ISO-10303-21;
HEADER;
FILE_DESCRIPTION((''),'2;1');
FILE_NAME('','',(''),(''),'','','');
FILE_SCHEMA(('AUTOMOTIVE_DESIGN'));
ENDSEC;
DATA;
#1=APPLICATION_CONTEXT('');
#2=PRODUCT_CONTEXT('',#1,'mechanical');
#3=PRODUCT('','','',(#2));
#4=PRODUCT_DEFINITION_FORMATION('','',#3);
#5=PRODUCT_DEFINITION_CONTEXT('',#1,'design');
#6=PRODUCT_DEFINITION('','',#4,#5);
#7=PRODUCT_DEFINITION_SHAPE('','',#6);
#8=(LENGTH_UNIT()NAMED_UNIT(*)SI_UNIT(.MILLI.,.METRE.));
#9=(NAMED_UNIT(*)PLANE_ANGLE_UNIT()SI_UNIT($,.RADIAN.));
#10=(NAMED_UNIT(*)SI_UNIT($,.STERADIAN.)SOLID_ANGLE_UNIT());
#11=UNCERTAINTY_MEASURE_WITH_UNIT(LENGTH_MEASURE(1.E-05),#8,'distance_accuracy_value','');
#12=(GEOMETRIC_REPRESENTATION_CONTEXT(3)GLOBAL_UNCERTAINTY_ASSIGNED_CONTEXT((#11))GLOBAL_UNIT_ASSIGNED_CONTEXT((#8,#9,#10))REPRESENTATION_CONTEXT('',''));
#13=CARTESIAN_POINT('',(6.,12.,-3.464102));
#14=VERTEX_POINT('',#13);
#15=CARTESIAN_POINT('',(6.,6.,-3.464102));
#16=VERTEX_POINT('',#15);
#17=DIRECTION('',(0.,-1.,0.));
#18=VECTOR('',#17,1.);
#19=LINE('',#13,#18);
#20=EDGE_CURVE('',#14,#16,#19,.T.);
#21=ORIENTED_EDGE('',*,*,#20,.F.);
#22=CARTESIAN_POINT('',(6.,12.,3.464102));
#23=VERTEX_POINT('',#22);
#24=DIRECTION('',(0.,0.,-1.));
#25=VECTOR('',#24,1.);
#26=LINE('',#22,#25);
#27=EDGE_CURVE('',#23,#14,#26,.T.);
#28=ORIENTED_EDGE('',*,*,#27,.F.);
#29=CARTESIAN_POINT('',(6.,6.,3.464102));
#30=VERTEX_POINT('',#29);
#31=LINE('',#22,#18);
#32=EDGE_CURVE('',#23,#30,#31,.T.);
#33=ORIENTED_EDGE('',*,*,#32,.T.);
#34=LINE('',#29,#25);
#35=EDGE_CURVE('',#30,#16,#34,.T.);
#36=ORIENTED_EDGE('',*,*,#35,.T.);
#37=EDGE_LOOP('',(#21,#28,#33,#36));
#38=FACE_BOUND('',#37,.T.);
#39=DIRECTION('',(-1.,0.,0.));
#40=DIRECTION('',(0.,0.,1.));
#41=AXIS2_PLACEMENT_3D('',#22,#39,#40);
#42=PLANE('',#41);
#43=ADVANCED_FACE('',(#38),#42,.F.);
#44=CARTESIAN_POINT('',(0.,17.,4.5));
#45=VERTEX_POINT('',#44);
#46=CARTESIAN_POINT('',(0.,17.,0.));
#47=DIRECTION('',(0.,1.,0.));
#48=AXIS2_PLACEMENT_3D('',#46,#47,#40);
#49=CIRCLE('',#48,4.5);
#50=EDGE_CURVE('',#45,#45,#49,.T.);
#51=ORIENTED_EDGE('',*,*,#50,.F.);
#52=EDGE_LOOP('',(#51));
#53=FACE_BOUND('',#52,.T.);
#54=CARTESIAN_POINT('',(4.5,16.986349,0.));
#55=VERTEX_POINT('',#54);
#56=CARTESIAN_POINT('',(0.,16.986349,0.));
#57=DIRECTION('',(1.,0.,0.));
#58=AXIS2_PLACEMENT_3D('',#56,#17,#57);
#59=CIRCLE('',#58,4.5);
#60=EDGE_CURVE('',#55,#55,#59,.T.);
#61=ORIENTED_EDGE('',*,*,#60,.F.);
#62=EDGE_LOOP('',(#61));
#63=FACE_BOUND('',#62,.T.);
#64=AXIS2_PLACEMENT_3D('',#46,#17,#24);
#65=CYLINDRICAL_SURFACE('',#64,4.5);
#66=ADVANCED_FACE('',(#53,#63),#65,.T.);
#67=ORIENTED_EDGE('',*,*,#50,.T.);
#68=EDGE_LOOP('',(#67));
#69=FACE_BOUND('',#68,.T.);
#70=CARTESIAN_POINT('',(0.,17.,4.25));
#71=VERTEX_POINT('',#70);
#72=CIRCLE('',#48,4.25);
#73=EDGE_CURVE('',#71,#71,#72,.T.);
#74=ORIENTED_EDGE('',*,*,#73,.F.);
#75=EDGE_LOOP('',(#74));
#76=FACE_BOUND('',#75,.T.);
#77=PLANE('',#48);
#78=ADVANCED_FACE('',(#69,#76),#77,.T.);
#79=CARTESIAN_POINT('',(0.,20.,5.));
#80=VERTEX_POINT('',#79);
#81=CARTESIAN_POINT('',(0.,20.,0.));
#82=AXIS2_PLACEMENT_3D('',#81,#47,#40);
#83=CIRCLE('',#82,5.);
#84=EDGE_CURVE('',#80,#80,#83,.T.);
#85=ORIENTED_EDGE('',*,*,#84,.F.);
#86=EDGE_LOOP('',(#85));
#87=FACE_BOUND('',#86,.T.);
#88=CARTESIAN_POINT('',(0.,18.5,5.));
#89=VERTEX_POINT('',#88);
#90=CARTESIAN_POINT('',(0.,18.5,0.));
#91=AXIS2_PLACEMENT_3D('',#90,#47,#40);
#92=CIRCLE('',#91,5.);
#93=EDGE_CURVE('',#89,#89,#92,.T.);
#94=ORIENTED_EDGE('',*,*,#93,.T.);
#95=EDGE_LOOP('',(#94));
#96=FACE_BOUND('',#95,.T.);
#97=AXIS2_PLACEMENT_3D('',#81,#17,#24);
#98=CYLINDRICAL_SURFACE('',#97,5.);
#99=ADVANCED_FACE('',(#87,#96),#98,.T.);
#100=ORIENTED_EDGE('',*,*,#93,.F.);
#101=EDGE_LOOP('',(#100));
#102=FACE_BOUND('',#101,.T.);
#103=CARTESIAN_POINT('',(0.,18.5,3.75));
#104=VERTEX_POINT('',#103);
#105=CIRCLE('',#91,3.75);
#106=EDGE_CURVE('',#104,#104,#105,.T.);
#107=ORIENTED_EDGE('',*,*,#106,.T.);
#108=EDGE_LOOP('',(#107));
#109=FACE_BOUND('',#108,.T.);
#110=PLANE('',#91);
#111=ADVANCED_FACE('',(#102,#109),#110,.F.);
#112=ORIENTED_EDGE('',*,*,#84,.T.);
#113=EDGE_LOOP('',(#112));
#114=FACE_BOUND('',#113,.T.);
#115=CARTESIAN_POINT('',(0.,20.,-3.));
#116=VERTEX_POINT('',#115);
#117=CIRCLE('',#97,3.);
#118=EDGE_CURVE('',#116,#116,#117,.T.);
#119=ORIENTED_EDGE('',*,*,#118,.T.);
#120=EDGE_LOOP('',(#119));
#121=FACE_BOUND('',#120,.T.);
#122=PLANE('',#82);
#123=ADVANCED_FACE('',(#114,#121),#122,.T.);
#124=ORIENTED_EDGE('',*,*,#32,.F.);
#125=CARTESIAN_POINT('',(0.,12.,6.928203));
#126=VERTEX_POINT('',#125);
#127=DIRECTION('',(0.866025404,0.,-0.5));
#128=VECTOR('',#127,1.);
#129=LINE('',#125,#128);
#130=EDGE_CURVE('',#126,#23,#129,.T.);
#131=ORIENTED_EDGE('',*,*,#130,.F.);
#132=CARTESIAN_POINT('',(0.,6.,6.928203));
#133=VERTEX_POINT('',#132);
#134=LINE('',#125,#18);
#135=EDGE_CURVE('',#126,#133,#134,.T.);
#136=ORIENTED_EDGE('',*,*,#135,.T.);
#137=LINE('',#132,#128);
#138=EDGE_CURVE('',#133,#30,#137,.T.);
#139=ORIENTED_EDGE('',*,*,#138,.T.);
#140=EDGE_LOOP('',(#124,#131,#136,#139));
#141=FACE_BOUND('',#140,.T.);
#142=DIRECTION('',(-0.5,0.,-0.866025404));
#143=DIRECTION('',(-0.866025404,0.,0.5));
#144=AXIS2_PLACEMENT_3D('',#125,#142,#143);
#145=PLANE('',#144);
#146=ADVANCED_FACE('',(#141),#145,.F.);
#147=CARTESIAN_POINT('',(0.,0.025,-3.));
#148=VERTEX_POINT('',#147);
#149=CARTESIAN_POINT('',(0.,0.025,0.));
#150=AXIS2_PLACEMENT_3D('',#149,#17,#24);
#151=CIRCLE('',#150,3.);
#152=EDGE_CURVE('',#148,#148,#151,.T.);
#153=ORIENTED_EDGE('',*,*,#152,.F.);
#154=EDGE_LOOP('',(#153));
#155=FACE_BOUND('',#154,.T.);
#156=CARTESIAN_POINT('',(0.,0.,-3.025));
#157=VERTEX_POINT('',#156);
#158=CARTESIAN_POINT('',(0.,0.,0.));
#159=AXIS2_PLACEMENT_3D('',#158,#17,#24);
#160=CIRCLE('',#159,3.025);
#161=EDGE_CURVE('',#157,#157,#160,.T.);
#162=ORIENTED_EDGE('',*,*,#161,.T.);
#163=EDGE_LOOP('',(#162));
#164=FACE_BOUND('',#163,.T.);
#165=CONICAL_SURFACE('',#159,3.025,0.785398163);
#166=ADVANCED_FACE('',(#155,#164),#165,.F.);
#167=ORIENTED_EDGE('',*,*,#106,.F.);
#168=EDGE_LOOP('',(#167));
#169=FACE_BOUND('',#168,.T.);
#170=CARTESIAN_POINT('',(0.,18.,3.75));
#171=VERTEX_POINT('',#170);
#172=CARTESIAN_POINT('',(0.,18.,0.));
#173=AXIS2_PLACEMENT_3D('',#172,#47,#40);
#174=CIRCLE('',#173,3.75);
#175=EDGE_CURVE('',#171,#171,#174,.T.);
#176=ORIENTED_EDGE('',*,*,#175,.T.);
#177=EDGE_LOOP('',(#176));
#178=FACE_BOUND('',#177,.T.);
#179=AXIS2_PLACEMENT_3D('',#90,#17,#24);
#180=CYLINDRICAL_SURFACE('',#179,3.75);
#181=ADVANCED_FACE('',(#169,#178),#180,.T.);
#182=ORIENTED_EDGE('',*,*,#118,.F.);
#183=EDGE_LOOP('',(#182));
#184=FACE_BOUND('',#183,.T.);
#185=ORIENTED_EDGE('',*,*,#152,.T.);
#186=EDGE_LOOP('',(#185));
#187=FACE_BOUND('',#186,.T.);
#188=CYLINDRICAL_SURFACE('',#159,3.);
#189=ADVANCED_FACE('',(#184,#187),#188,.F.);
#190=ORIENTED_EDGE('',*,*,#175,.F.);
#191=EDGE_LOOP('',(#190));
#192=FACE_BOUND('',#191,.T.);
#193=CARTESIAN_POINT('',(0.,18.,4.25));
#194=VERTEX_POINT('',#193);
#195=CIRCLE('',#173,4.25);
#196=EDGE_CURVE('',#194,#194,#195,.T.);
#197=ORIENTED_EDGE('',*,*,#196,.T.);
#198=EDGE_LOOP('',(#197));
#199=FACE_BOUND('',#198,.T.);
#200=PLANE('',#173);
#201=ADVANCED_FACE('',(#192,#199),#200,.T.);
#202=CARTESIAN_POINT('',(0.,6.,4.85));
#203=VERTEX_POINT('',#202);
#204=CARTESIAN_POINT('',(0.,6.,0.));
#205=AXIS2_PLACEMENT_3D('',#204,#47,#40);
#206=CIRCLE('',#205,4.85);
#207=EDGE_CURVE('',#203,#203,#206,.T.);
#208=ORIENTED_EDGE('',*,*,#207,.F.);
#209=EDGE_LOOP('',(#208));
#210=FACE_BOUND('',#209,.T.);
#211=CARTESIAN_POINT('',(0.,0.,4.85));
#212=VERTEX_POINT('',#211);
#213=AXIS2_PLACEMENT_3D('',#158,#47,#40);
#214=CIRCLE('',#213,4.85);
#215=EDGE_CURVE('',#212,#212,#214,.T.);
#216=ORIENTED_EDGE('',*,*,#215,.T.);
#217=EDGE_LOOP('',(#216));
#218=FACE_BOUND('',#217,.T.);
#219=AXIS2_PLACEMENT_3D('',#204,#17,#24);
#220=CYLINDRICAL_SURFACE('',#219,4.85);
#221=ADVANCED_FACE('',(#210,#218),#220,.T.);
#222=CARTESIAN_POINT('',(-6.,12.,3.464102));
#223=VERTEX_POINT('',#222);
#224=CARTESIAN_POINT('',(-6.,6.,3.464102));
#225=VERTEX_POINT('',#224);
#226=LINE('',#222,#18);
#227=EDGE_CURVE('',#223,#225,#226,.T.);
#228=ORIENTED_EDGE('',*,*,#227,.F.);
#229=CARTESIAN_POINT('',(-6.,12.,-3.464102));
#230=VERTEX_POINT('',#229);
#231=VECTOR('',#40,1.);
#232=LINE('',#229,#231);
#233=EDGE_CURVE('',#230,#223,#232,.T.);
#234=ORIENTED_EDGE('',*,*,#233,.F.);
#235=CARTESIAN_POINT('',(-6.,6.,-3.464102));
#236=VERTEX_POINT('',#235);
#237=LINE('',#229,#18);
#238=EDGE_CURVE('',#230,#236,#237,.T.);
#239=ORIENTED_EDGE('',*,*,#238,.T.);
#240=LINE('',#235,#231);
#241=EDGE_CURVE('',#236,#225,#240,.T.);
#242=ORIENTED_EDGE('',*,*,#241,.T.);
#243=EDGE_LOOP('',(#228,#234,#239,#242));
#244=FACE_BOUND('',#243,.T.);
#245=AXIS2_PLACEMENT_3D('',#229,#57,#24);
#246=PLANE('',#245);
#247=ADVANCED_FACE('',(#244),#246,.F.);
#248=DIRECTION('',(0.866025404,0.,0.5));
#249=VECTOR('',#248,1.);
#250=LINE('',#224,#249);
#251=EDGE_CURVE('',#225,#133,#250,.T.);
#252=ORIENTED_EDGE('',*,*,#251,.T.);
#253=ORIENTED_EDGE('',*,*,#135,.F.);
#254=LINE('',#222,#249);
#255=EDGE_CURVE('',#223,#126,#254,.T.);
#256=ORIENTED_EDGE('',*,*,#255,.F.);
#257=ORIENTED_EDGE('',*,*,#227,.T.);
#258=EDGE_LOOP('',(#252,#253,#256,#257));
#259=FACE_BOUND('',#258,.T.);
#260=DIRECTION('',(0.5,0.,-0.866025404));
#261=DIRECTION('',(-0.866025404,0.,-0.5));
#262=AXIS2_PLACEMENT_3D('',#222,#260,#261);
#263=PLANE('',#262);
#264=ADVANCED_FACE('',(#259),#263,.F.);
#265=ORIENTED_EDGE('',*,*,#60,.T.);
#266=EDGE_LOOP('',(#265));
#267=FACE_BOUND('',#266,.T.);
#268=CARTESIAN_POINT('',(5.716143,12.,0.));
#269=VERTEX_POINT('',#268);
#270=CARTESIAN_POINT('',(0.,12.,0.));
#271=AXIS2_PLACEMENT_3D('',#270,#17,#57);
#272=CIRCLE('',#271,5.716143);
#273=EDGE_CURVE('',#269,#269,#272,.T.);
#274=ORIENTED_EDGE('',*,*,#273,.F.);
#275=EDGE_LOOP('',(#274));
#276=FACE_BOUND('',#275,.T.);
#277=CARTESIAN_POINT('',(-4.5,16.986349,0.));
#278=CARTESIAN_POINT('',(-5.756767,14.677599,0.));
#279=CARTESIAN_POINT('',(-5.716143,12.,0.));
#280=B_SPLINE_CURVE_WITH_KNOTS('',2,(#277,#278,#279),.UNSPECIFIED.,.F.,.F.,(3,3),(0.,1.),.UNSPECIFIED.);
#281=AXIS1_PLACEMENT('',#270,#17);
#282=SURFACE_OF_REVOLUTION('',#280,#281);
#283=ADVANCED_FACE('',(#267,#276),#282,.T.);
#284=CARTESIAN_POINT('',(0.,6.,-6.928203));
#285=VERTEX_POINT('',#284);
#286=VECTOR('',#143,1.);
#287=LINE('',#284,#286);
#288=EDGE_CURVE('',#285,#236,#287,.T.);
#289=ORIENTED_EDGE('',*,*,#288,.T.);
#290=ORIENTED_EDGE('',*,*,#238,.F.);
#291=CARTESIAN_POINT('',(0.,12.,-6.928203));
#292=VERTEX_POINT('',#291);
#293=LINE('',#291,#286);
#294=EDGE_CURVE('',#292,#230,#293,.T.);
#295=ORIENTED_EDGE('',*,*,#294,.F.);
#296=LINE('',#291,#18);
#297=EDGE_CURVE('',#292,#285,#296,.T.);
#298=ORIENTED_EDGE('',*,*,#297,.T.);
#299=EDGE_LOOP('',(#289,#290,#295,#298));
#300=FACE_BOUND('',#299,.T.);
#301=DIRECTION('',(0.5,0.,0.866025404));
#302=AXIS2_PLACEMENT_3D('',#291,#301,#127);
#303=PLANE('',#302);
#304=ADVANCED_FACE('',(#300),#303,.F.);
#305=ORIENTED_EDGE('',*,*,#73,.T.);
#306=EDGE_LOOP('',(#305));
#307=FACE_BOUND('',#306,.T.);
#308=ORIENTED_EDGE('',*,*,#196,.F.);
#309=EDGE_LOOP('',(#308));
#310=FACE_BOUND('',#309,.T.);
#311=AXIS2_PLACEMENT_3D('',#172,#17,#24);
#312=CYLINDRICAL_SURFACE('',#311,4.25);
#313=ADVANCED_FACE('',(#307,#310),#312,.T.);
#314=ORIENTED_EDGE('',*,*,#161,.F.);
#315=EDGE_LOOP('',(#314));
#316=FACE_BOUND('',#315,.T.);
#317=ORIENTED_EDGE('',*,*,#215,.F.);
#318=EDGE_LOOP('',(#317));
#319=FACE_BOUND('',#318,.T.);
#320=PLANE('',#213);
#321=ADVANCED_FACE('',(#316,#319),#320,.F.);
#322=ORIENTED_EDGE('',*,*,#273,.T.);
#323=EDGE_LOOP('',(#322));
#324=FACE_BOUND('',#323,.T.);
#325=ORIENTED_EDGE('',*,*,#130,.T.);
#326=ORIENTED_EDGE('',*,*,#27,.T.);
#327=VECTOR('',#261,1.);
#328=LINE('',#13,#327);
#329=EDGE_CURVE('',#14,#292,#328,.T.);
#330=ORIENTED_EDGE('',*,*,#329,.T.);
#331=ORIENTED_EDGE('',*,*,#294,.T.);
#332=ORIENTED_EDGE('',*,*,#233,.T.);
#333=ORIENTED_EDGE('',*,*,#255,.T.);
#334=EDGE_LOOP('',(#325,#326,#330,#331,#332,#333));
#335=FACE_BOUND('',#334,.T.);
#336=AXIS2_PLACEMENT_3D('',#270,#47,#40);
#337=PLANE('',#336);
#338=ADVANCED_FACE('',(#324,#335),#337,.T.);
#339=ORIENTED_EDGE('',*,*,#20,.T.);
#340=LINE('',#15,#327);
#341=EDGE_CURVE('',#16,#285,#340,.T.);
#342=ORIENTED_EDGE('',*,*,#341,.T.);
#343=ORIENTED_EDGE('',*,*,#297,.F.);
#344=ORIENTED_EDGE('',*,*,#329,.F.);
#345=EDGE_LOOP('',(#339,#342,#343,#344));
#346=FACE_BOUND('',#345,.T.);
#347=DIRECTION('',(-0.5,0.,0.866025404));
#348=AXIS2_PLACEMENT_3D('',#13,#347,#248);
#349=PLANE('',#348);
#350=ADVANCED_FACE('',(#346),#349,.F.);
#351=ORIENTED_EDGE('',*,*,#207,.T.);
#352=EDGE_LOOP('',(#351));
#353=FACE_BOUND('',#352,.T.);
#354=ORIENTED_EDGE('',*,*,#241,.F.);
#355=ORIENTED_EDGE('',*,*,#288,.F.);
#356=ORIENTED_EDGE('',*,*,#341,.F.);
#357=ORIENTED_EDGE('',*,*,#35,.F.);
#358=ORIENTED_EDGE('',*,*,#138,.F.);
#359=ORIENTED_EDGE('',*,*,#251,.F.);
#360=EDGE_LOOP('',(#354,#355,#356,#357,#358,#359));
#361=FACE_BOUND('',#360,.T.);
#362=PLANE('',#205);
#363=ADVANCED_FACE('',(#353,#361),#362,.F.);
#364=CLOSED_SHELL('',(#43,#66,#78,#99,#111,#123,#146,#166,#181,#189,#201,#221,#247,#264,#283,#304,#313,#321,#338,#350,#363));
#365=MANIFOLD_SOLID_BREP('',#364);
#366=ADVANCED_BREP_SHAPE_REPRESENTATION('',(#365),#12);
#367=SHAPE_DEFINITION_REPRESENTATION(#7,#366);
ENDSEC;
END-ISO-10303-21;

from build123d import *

# Parameters (mm, degrees)
SKETCH_1_R            = 4.85
EXTRUDE_1_DEPTH       = 6
EXTRUDE_2_DEPTH       = 6
SKETCH_3_R            = 4.5
EXTRUDE_3_DEPTH       = 5
SKETCH_4_R            = 4.25
EXTRUDE_4_DEPTH       = 1
SKETCH_5_R            = 3.75
EXTRUDE_5_DEPTH       = 0.5
SKETCH_6_R            = 5
EXTRUDE_6_DEPTH       = 1.5
F_6_0MM_1_D           = 6
F_6_0MM_1_CSINK_D     = 6.05
F_6_0MM_1_CSINK_ANGLE = 90


with BuildPart() as part:
    # 草图1 → 凸台-拉伸1 (new body)
    with BuildSketch(Plane(origin=(0, 0, 0), x_dir=(1, 0, 0), z_dir=(0, 1, 0))):
        with Locations(Location((0, 0, 0), (0, 0, 270))):
            Circle(SKETCH_1_R)
    extrude(amount=EXTRUDE_1_DEPTH)

    # 草图2 → 凸台-拉伸2 (add)
    with BuildSketch(Plane(origin=(0, 6, 0), x_dir=(1, 0, 0), z_dir=(0, 1, 0))):
        Polygon((6, 3.464101615), (0, 6.92820323), (-6, 3.464101615), (-6, -3.464101615), (0, -6.92820323), (6, -3.464101615), align=None)
    extrude(amount=EXTRUDE_2_DEPTH)

    # 草图3 → 凸台-拉伸3 (add)
    with BuildSketch(Plane(origin=(0, 12, 0), x_dir=(1, 0, 0), z_dir=(0, 1, 0))):
        with Locations(Location((0, 0, 0), (0, 0, 270))):
            Circle(SKETCH_3_R)
    extrude(amount=EXTRUDE_3_DEPTH)

    # 草图4 → 凸台-拉伸4 (add)
    with BuildSketch(Plane(origin=(0, 17, 0), x_dir=(1, 0, 0), z_dir=(0, 1, 0))):
        with Locations(Location((0, 0, 0), (0, 0, 270))):
            Circle(SKETCH_4_R)
    extrude(amount=EXTRUDE_4_DEPTH)

    # 草图5 → 凸台-拉伸5 (add)
    with BuildSketch(Plane(origin=(0, 18, 0), x_dir=(1, 0, 0), z_dir=(0, 1, 0))):
        with Locations(Location((0, 0, 0), (0, 0, 270))):
            Circle(SKETCH_5_R)
    extrude(amount=EXTRUDE_5_DEPTH)

    # 草图6 → 凸台-拉伸6 (add)
    with BuildSketch(Plane(origin=(0, 18.5, 0), x_dir=(1, 0, 0), z_dir=(0, 1, 0))):
        with Locations(Location((0, 0, 0), (0, 0, 270))):
            Circle(SKETCH_6_R)
    extrude(amount=EXTRUDE_6_DEPTH)

    # 草图7 → 旋转1 (revolve)
    with BuildSketch(Plane.XY, mode=Mode.PRIVATE) as revolve_1_sk:
        with BuildLine():
            Line((-5.71614298, 12), (-4.5, 12))
            Line((-4.5, 12), (-4.5, 16.986349243))
            add(Edge.make_bspline(
                [(-4.5, 16.986349243), (-5.756767144, 14.677598977), (-5.71614298, 12)],
                knots=[0, 0, 0, 1, 1, 1], degree=2))
        make_face()
    revolve(revolve_1_sk.sketch.rotate(Axis((0, 12, 0), (0, 1, 0)), 180), axis=Axis((0, 12, 0), (0, 1, 0)))

    # Ø6.0mm 暗销孔1 (through all)
    with Locations(Plane(origin=(0, 0, 0), x_dir=(-1, 0, 0), z_dir=(0, -1, 0))):
        with Locations((0, 0)):
            CounterSinkHole(F_6_0MM_1_D / 2, F_6_0MM_1_CSINK_D / 2, counter_sink_angle=F_6_0MM_1_CSINK_ANGLE)


solid = part.part
